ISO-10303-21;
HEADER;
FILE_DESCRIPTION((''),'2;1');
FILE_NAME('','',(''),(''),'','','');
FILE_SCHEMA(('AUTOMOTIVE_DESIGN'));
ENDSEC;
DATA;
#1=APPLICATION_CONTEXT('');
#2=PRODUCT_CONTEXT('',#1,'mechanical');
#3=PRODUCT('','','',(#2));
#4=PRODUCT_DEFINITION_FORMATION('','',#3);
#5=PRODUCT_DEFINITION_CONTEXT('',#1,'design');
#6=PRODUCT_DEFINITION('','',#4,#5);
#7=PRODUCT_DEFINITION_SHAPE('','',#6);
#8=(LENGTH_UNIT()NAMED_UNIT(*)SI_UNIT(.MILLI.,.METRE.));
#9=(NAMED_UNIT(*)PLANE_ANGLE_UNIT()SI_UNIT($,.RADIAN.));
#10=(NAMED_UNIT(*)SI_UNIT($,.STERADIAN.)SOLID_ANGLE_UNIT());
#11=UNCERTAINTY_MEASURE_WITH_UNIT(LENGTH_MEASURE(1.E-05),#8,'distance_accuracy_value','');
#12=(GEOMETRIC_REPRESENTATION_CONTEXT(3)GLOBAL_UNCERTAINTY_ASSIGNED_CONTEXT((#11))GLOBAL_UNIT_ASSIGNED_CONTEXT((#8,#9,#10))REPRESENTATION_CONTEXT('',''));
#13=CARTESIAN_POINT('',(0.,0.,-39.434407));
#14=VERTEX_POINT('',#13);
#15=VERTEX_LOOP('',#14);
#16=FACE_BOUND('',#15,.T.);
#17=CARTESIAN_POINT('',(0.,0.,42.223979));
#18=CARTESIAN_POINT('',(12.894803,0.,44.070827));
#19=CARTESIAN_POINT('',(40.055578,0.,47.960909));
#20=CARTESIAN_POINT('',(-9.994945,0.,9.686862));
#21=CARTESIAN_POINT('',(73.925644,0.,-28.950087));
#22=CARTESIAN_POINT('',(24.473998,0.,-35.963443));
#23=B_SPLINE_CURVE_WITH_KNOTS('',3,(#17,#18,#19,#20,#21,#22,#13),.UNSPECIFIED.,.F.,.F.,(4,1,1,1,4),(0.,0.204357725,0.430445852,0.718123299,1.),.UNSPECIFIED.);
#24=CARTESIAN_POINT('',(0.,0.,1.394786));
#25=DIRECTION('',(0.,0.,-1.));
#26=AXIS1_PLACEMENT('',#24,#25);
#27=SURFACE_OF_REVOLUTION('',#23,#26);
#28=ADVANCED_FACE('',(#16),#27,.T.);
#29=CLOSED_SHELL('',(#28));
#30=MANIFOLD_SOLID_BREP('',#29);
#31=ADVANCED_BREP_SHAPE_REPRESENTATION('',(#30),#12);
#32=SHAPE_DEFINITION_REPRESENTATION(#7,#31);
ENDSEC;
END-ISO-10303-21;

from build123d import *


with BuildPart() as f1:
    # F0 (on Front) → F1 (revolve)
    with BuildSketch(Plane.XZ):
        with BuildLine():
            add(Edge.make_bspline(
                [(0, 42.2239787877), (12.8948025444, 44.0708273469), (40.0555778959, 47.9609093122), (-9.9949449869, 9.6868622089), (73.9256435882, -28.9500873326), (24.4739975477, -35.9634433938), (0, -39.4344069064)],
                knots=[0, 0, 0, 0, 0.2043577252, 0.4304458519, 0.7181232994, 1, 1, 1, 1], degree=3))
            Line((0, 42.2239787877), (0, -39.4344069064))
        make_face()
    revolve(axis=Axis((0, 0, 1.3947859406), (0, 0, -1)))


solid = f1.part
